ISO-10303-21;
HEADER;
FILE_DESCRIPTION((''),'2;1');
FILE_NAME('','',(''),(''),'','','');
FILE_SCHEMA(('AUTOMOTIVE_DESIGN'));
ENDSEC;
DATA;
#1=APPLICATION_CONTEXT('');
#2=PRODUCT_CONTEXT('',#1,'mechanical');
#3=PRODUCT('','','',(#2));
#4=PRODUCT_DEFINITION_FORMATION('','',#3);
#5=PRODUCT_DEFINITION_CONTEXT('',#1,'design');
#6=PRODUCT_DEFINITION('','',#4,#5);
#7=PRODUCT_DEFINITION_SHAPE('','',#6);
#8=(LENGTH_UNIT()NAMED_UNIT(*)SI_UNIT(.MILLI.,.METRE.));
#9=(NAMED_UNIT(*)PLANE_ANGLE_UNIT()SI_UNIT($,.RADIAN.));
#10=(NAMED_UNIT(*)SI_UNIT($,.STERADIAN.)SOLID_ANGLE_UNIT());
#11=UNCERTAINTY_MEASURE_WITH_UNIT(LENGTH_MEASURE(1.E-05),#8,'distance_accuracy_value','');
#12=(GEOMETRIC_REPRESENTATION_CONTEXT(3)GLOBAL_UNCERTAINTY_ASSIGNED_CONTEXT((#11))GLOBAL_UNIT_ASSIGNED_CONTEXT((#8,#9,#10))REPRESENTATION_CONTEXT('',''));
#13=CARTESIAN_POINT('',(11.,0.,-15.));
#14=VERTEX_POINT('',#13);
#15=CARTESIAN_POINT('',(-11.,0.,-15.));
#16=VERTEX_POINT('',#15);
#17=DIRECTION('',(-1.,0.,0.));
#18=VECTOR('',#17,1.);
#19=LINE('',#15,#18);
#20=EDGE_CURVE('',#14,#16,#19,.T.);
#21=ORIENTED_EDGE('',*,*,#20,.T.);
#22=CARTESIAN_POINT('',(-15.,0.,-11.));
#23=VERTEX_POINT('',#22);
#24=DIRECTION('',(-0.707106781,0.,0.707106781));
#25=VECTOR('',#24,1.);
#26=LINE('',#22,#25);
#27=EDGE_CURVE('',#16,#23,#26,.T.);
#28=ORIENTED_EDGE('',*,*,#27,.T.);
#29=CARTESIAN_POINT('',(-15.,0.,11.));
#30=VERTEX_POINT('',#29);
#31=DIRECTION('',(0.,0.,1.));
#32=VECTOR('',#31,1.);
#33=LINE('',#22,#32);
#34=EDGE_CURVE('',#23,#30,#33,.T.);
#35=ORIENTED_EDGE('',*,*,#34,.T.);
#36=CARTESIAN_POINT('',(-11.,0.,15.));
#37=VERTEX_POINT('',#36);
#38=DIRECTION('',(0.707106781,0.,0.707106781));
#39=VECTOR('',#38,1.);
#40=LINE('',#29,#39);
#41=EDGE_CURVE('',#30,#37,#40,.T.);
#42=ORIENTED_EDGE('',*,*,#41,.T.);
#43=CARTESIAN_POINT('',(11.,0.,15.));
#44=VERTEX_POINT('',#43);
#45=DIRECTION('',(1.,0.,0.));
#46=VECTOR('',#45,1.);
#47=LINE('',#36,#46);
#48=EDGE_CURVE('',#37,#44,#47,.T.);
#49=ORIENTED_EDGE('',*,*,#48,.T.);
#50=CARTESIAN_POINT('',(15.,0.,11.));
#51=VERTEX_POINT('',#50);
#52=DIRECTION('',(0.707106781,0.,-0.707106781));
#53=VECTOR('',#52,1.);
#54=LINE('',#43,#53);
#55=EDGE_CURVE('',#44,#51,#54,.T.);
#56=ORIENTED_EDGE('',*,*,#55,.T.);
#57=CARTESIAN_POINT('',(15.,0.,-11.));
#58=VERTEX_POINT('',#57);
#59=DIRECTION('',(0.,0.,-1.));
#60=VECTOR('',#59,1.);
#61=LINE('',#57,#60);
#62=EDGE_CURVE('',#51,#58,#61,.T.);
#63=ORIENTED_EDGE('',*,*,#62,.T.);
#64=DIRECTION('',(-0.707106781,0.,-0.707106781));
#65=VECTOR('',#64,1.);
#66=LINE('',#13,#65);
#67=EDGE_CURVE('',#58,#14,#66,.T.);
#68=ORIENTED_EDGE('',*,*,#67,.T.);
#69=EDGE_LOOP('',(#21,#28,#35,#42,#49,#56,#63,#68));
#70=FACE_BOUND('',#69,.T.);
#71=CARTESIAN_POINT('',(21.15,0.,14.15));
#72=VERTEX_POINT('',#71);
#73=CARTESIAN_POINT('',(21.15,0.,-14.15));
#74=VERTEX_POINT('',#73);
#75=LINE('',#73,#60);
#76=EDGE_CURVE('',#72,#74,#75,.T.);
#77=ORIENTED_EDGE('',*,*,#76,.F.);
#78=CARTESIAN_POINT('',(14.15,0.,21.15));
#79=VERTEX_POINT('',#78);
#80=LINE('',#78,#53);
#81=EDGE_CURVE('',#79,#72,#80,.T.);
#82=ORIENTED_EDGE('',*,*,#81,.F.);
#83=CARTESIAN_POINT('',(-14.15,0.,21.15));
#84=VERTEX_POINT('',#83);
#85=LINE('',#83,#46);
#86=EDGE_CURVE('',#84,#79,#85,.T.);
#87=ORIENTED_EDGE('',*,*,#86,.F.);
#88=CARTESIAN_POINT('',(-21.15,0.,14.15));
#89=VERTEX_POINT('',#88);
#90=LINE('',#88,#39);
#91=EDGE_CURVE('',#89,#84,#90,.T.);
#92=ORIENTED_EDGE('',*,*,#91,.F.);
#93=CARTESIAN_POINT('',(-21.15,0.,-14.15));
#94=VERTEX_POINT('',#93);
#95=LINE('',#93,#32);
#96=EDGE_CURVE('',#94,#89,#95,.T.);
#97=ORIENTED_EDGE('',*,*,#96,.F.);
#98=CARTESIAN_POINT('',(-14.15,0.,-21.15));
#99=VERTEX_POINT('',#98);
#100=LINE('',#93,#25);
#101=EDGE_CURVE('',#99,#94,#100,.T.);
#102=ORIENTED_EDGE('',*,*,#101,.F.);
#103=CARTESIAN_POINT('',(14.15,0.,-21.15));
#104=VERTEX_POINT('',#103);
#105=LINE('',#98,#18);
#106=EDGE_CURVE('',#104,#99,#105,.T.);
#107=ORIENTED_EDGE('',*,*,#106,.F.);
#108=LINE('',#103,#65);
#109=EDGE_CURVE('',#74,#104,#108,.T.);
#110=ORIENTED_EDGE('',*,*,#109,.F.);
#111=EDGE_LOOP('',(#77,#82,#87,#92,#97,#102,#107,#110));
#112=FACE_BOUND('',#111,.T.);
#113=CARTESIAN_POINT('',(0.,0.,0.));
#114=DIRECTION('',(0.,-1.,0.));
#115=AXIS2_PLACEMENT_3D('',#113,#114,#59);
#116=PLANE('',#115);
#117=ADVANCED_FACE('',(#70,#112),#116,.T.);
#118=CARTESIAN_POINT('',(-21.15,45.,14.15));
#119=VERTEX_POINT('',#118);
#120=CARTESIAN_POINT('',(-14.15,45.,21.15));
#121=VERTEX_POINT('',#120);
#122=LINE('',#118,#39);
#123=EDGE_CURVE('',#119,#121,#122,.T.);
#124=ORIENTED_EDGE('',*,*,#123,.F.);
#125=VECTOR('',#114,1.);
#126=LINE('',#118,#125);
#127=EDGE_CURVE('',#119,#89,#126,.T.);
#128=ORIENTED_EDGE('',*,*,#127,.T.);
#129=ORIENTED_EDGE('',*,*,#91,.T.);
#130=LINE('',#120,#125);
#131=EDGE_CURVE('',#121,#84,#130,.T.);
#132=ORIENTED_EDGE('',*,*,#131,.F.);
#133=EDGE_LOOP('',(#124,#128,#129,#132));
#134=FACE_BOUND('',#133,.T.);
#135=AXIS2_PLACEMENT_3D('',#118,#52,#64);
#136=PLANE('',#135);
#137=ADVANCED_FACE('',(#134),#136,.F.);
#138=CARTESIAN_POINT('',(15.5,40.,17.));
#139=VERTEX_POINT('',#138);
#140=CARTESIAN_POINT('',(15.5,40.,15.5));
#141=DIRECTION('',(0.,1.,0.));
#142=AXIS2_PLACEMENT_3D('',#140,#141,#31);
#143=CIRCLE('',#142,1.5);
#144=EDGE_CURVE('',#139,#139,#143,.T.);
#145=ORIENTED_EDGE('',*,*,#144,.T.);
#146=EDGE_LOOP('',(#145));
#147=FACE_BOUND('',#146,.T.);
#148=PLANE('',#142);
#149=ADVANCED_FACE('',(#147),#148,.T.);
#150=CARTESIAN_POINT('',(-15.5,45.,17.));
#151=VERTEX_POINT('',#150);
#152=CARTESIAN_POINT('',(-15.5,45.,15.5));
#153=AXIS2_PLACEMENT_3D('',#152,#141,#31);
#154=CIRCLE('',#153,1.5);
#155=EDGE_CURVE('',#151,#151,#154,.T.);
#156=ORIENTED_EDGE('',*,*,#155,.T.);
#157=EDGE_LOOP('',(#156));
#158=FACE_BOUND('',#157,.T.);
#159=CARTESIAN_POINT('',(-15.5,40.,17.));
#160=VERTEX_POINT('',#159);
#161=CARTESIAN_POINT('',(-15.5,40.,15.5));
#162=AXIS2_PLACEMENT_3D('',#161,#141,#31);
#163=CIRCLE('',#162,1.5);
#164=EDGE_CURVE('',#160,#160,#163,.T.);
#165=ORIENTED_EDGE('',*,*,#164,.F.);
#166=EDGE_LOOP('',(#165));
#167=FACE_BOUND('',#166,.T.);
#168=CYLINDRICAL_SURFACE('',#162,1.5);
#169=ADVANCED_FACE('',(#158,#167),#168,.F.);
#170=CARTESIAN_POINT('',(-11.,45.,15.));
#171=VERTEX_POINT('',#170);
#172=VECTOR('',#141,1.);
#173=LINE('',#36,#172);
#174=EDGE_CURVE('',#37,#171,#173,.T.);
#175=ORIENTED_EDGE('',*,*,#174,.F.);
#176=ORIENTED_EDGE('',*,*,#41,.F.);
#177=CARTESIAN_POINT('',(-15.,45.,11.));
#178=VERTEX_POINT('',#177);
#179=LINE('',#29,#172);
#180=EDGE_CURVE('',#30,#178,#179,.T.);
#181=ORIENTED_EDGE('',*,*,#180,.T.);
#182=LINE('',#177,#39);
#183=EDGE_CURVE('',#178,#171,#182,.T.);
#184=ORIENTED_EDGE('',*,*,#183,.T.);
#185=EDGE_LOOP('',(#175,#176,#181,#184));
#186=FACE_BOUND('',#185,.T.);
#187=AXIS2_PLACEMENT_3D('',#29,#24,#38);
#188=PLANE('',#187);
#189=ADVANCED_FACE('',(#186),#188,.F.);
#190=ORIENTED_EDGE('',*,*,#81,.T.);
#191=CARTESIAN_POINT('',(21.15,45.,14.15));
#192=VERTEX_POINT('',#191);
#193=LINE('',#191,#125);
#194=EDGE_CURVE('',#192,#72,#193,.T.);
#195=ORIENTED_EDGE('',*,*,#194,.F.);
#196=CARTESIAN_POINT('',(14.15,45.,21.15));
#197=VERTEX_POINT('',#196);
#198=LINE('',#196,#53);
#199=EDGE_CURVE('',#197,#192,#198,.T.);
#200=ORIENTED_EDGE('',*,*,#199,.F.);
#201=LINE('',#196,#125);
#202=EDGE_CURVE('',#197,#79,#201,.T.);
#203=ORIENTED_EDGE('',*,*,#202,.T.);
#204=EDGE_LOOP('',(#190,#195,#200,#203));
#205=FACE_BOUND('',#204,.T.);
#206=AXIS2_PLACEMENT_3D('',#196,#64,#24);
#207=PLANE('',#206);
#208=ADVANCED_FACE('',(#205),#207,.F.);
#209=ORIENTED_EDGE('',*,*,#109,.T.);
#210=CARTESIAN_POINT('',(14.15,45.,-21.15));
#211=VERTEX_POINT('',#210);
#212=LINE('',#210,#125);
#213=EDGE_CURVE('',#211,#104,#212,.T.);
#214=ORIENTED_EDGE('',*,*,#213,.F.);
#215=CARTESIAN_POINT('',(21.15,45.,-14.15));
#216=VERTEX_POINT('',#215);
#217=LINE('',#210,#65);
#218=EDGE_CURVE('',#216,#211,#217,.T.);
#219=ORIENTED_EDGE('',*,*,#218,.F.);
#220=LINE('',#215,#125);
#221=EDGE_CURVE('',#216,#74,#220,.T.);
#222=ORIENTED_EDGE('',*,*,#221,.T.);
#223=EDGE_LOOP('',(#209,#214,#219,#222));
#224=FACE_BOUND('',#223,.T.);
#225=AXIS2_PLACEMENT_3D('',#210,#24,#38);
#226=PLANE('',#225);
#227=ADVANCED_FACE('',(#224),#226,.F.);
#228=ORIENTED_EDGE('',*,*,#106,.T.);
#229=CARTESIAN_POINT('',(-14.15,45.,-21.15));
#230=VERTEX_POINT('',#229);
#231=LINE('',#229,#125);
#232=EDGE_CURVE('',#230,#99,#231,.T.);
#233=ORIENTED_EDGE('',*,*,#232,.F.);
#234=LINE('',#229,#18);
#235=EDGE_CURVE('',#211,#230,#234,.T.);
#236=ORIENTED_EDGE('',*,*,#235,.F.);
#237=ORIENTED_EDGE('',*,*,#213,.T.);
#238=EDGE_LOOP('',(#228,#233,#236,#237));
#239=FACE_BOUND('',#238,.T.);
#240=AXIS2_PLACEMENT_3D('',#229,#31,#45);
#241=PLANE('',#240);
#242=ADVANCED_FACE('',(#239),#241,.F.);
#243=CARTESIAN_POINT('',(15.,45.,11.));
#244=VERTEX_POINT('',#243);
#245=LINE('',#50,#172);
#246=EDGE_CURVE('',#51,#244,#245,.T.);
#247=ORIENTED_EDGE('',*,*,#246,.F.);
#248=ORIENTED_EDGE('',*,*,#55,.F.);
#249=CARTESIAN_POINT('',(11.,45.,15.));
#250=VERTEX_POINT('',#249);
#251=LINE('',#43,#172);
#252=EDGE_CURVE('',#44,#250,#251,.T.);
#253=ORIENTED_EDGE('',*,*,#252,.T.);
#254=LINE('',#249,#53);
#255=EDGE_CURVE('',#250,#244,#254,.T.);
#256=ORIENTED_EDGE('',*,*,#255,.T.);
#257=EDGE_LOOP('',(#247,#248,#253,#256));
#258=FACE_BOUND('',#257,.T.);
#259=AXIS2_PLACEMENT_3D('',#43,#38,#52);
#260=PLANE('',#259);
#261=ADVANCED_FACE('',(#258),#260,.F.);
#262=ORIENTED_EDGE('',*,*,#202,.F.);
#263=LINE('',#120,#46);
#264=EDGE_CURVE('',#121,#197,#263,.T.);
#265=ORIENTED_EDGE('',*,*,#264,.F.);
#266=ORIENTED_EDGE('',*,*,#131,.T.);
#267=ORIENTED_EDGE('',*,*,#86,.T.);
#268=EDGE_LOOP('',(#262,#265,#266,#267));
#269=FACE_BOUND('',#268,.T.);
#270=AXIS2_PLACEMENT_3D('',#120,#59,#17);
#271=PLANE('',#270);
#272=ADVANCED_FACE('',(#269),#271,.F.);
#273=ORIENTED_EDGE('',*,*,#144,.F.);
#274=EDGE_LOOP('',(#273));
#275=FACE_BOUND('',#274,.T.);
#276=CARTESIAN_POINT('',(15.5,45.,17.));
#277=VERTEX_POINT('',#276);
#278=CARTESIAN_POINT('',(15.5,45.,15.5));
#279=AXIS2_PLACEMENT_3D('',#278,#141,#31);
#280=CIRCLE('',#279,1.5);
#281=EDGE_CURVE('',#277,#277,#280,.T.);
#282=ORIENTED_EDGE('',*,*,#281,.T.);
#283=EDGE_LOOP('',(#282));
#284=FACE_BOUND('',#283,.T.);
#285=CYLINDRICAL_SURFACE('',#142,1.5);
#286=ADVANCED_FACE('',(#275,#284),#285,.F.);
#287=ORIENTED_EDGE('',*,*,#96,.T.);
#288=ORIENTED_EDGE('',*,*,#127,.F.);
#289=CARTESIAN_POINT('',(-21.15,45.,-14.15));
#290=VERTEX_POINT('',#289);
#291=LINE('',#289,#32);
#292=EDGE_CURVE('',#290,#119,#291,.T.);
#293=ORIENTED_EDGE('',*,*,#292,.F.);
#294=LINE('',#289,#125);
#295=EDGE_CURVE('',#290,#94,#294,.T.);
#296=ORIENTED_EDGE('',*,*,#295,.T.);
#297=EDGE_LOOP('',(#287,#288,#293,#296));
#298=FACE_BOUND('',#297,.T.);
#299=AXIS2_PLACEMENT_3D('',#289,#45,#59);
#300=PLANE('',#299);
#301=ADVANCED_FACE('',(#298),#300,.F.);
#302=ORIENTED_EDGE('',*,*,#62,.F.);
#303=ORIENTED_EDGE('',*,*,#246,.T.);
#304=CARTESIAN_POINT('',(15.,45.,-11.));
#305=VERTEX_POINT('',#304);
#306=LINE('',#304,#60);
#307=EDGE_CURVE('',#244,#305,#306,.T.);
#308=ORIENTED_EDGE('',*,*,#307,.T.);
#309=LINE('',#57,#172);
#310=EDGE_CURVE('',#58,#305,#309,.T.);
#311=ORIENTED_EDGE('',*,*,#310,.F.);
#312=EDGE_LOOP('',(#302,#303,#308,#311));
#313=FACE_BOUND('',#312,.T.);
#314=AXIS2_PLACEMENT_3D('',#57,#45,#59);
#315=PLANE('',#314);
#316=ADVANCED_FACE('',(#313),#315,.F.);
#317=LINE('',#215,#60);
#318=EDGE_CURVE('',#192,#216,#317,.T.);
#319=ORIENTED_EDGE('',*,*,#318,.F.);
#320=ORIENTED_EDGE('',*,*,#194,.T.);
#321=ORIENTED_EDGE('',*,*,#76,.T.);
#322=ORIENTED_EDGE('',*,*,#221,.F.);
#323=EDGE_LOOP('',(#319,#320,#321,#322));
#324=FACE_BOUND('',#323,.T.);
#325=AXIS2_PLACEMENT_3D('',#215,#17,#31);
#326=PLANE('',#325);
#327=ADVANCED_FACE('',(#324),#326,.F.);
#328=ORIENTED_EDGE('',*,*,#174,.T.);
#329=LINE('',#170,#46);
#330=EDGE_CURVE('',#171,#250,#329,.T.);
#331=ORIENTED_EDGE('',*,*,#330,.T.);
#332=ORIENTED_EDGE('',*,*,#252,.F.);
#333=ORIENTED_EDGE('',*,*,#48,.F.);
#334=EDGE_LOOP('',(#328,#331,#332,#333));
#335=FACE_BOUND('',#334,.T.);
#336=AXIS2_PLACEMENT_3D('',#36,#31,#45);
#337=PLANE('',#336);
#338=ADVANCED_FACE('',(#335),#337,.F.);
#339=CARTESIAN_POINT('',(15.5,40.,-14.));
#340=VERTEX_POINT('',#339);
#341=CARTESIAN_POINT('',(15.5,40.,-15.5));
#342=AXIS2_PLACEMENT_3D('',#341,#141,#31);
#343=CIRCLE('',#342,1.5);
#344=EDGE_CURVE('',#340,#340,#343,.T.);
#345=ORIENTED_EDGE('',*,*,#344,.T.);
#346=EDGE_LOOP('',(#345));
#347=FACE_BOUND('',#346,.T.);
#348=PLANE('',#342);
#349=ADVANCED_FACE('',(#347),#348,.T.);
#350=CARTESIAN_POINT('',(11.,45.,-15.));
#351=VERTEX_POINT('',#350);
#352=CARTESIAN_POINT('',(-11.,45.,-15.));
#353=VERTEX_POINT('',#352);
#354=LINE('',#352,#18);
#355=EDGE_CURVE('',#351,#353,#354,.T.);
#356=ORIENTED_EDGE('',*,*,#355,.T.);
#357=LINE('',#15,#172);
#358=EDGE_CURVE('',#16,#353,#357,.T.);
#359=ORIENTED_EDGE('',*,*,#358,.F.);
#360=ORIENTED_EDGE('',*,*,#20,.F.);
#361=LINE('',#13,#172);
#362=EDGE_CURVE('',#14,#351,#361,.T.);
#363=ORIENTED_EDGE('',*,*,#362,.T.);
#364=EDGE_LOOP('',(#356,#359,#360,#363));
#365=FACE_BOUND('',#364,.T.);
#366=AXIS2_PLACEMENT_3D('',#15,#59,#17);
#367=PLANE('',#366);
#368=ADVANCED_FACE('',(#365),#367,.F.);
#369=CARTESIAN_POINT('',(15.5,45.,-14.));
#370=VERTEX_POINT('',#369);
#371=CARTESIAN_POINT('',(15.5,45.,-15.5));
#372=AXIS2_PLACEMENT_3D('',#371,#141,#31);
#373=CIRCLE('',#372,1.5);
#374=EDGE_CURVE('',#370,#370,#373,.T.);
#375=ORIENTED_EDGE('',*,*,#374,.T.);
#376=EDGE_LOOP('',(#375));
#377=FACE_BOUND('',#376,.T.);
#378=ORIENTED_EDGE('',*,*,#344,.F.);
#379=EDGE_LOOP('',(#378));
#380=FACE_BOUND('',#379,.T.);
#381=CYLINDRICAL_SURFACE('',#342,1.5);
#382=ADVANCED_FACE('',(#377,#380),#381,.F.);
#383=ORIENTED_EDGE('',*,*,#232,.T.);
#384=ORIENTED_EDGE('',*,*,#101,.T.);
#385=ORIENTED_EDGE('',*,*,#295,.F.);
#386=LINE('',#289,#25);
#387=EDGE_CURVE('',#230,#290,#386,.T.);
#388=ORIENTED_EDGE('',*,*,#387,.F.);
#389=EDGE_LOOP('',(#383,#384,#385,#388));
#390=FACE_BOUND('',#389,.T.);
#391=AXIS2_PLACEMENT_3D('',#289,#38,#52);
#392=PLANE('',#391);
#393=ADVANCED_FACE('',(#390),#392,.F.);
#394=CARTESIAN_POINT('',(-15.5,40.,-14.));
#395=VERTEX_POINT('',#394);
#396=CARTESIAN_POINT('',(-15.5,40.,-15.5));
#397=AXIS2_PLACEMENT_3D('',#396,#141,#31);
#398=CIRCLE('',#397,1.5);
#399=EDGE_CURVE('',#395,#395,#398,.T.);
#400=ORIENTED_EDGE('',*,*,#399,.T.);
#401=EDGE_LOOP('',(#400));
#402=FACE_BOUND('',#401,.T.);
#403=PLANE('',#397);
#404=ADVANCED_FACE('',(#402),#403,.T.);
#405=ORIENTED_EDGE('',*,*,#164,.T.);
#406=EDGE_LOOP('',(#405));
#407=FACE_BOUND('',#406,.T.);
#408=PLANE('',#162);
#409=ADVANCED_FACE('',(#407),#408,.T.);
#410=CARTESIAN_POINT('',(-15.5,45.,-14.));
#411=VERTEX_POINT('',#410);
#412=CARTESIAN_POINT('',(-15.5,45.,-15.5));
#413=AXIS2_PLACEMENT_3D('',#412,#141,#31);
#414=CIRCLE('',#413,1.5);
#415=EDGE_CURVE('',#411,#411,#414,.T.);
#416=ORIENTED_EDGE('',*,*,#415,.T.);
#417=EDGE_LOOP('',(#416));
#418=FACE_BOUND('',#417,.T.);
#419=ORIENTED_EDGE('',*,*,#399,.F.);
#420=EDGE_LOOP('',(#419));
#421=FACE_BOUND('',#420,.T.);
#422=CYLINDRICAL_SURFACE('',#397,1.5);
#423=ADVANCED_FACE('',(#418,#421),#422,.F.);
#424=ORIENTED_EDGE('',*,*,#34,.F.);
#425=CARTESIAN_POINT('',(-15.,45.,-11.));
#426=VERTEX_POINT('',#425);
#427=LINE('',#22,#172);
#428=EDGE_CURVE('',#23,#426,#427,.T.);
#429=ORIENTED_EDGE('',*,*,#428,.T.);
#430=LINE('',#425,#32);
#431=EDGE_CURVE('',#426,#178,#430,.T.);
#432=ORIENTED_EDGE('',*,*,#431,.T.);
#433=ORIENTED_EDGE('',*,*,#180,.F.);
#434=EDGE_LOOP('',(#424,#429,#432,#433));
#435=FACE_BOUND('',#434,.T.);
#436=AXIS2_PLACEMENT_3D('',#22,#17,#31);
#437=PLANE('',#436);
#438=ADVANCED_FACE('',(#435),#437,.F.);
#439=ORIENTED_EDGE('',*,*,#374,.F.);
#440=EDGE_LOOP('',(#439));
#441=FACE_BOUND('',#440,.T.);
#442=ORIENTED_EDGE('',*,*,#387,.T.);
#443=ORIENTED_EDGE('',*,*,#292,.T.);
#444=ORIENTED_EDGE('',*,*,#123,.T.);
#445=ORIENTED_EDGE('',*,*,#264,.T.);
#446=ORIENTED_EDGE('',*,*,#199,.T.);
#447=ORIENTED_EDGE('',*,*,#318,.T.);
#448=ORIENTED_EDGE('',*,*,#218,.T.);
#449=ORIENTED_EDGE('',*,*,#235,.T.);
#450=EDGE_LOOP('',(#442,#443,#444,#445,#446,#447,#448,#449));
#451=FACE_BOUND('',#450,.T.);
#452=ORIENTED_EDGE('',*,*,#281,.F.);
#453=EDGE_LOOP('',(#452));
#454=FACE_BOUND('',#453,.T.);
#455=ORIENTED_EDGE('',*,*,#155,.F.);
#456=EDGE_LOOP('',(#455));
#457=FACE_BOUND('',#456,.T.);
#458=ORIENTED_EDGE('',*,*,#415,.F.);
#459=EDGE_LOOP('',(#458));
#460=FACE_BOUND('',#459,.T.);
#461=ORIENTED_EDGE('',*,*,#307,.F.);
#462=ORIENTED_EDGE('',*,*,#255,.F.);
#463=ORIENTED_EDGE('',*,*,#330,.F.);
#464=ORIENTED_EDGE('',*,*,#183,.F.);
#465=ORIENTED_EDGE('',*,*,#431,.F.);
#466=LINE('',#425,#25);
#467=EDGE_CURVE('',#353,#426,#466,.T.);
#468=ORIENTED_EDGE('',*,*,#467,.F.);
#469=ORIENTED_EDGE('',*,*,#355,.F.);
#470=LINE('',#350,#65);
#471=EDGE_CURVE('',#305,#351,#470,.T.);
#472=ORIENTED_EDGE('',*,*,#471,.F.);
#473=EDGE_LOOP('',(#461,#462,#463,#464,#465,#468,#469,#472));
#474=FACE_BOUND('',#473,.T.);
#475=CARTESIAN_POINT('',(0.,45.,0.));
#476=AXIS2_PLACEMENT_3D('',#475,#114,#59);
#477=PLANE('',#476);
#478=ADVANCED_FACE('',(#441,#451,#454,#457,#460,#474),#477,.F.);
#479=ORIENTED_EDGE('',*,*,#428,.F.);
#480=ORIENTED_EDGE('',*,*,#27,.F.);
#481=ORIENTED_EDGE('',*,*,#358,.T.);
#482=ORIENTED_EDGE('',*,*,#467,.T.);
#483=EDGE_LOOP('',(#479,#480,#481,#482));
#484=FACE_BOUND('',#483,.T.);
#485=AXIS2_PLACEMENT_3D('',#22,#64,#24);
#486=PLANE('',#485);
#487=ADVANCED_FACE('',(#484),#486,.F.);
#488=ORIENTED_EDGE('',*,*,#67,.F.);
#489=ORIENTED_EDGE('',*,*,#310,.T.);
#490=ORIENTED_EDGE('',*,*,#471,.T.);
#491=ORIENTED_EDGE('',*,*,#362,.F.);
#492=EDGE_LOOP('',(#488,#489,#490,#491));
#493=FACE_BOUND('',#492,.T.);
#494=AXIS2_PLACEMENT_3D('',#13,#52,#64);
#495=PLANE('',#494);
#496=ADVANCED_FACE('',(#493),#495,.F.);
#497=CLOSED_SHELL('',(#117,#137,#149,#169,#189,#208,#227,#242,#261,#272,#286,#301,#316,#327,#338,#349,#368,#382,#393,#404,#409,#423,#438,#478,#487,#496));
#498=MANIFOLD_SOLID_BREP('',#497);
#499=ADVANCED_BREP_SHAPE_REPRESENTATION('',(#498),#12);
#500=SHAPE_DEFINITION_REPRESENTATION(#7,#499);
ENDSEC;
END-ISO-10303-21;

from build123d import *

# Parameters (mm, degrees)
BOSS_EXTRUDE1_DEPTH = 45
SKETCH2_R           = 1.5
CUT_EXTRUDE1_DEPTH  = 5
CUT_EXTRUDE3_DEPTH  = 45


with BuildPart() as part:
    # Sketch1 → Boss-Extrude1 (new body)
    with BuildSketch(Plane(origin=(0, 0, 0), x_dir=(1, 0, 0), z_dir=(0, 1, 0))):
        Polygon((-21.15, 14.15), (-14.15, 21.15), (14.15, 21.15), (21.15, 14.15), (21.15, -14.15), (14.15, -21.15), (-14.15, -21.15), (-21.15, -14.15), align=None)
    extrude(amount=BOSS_EXTRUDE1_DEPTH)

    # Sketch2 → Cut-Extrude1 (cut)
    with BuildSketch(Plane(origin=(0, 45, 0), x_dir=(1, 0, 0), z_dir=(0, 1, 0))):
        with Locations((-15.5, 15.5)):
            Circle(SKETCH2_R)
        with Locations((15.5, 15.5)):
            Circle(SKETCH2_R)
        with Locations((-15.5, -15.5)):
            Circle(SKETCH2_R)
        with Locations((15.5, -15.5)):
            Circle(SKETCH2_R)
    extrude(amount=-CUT_EXTRUDE1_DEPTH, mode=Mode.SUBTRACT)

    # Sketch3 → Cut-Extrude3 (cut)
    with BuildSketch(Plane(origin=(0, 45, 0), x_dir=(1, 0, 0), z_dir=(0, 1, 0))):
        Polygon((-15, 11), (-11, 15), (11, 15), (15, 11), (15, -11), (11, -15), (-11, -15), (-15, -11), align=None)
    extrude(amount=-CUT_EXTRUDE3_DEPTH, mode=Mode.SUBTRACT)


solid = part.part
